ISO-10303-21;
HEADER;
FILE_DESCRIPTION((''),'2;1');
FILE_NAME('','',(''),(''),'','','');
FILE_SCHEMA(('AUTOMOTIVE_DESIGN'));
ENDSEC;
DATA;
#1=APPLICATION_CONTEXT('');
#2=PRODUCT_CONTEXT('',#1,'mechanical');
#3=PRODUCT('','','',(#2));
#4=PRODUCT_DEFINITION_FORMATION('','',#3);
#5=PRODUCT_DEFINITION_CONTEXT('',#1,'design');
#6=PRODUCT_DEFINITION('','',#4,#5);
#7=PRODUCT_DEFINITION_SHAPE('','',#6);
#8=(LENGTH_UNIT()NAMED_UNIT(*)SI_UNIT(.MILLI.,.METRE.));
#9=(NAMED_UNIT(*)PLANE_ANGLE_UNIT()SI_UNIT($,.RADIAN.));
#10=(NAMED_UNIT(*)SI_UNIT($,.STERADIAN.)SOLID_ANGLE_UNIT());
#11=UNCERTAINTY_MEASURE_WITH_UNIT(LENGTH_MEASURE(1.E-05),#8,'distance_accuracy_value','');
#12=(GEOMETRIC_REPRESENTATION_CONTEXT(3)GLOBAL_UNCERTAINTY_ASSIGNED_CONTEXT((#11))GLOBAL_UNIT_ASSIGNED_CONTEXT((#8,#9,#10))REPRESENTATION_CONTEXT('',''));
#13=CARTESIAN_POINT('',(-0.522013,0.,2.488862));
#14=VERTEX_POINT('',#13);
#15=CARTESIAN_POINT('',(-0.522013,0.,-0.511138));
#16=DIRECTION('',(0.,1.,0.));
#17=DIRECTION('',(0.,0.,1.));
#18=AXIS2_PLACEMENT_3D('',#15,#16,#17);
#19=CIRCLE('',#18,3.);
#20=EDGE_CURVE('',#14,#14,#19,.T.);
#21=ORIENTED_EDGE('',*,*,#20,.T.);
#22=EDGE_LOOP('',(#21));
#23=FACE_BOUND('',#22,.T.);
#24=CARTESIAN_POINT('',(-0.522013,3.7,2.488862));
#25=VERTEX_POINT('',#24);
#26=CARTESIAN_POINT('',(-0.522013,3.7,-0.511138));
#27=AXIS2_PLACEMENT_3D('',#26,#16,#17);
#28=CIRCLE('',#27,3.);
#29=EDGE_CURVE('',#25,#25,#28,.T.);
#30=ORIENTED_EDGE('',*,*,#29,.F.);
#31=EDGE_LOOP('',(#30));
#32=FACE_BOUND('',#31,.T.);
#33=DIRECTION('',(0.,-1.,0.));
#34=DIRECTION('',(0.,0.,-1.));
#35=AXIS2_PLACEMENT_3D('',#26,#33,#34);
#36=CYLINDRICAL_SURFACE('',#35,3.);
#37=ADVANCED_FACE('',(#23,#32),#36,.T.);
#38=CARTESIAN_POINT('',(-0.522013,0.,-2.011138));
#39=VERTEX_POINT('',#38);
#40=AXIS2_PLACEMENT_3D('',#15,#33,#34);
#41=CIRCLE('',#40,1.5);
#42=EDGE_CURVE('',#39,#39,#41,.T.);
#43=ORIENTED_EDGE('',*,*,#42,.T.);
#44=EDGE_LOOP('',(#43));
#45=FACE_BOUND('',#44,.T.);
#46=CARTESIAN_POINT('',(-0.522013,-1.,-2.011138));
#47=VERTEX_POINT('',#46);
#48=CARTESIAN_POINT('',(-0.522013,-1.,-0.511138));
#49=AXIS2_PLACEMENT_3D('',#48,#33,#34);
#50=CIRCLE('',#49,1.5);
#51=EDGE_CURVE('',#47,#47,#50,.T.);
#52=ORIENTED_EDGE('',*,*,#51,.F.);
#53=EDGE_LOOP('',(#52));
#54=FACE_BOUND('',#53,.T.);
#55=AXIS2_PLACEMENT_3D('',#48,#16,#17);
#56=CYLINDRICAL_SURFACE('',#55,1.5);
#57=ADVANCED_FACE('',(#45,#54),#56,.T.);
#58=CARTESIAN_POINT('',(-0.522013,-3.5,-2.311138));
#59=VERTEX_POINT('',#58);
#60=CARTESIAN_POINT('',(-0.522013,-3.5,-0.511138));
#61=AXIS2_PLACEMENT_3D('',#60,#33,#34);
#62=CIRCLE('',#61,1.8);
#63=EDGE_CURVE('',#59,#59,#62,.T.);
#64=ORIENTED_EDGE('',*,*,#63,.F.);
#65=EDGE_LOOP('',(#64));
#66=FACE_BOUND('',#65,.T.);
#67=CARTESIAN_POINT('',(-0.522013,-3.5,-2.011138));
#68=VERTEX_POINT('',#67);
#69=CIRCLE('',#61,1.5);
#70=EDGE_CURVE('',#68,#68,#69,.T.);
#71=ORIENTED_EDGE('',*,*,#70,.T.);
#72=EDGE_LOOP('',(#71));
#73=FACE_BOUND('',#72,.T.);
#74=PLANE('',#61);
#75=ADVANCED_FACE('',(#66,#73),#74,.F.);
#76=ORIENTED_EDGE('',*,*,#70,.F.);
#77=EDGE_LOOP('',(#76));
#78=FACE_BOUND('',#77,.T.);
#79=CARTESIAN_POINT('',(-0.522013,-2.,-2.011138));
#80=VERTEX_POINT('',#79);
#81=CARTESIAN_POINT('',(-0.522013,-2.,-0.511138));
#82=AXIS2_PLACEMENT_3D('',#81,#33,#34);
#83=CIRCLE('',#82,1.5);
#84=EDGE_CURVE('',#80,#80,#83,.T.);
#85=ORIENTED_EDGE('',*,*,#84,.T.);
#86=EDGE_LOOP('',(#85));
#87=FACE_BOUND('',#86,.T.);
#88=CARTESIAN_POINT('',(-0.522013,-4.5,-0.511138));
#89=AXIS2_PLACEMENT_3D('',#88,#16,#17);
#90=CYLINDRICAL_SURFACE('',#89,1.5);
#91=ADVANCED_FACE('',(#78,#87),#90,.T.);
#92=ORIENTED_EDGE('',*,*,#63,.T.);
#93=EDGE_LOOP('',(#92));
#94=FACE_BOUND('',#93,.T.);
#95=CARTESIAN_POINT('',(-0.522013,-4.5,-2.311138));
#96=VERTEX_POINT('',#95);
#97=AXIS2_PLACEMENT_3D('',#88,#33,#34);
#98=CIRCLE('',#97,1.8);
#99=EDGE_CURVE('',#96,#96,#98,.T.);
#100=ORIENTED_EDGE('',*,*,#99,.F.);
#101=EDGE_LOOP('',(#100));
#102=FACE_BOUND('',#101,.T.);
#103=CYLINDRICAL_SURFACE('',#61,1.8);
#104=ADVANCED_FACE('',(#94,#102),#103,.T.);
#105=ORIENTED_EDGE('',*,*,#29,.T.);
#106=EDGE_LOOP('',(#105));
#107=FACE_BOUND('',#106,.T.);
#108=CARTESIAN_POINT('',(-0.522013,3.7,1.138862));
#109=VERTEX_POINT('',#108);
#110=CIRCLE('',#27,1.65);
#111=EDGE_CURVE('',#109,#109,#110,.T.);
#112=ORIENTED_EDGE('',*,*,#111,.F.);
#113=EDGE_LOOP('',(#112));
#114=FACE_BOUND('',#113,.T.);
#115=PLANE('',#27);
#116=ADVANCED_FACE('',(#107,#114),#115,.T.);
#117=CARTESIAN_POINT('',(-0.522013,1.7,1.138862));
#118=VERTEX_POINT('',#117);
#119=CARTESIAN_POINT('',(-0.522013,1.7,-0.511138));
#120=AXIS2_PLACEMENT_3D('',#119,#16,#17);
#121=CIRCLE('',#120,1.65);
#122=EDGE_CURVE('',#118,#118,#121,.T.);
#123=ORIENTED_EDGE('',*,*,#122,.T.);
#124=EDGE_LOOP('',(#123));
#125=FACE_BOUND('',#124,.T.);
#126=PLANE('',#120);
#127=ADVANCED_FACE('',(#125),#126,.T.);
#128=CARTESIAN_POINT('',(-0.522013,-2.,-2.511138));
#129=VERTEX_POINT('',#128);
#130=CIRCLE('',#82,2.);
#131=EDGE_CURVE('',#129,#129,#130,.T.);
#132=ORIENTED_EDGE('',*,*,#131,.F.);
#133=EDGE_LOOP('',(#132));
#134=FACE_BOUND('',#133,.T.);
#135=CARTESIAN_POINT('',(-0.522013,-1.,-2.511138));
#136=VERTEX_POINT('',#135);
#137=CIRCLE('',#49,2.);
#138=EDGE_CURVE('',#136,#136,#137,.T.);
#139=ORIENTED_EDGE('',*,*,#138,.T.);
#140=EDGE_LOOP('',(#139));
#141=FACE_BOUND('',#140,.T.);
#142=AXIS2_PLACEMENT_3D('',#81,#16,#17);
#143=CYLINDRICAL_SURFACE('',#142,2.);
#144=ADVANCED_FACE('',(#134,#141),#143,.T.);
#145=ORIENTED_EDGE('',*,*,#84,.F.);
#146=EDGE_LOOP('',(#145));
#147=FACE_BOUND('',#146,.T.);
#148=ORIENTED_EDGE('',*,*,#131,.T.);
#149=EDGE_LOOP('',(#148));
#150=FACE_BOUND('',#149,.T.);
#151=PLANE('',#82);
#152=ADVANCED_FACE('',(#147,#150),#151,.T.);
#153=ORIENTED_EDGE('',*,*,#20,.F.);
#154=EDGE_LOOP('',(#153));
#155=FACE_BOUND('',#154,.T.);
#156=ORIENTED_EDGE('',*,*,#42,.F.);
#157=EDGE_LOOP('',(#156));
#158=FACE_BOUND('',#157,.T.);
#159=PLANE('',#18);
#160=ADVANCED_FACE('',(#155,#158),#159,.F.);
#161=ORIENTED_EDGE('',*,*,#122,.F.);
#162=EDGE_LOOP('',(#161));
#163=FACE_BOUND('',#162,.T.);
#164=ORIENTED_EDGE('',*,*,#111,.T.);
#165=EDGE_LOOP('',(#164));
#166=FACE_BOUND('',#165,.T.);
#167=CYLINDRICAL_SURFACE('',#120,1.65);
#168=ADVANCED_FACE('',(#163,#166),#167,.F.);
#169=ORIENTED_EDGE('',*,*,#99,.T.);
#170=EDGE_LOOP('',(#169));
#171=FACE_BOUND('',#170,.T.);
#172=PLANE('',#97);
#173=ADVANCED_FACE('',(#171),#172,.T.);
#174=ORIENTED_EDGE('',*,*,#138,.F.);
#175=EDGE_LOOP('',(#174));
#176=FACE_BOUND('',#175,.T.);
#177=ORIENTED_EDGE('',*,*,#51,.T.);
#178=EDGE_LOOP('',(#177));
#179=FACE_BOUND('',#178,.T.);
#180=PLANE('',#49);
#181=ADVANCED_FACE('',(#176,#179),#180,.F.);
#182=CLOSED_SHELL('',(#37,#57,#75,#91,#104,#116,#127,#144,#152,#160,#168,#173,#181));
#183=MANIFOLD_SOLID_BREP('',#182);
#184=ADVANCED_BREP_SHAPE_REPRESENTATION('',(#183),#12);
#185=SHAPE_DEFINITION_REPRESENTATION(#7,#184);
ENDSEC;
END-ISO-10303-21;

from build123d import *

# Parameters (mm, degrees)
SKETCH1_R           = 3
BOSS_EXTRUDE1_DEPTH = 3.7
SKETCH1_3_R         = 1.6
BOSS_EXTRUDE2_DEPTH = 1
SKETCH5_R           = 1.5
BOSS_EXTRUDE3_DEPTH = 1
SKETCH6_R           = 2
BOSS_EXTRUDE4_DEPTH = 1
SKETCH8_R           = 1.5
BOSS_EXTRUDE5_DEPTH = 2.5
SKETCH10_R          = 1.8
BOSS_EXTRUDE6_DEPTH = 1
SKETCH12_R          = 1.65
CUT_EXTRUDE1_DEPTH  = 2


with BuildPart() as part:
    # Sketch1 → Boss-Extrude1 (new body)
    with BuildSketch(Plane(origin=(0, 0, 0), x_dir=(1, 0, 0), z_dir=(0, 1, 0))):
        with Locations((-0.522013312, 0.511138034)):
            Circle(SKETCH1_R)
    extrude(amount=BOSS_EXTRUDE1_DEPTH)

    # Sketch1<3> → Boss-Extrude2 (add)
    with BuildSketch(Plane(origin=(0, 0, 0), x_dir=(1, 0, 0), z_dir=(0, 1, 0))):
        with Locations((-0.522013312, 0.511138034)):
            Circle(SKETCH1_3_R)
    extrude(amount=BOSS_EXTRUDE2_DEPTH)

    # Sketch5 → Boss-Extrude3 (add)
    with BuildSketch(Plane.XZ):
        with Locations((-0.522013312, -0.511138034)):
            Circle(SKETCH5_R)
    extrude(amount=BOSS_EXTRUDE3_DEPTH)

    # Sketch6 → Boss-Extrude4 (add)
    with BuildSketch(Plane.XZ.offset(1)):
        with Locations((-0.522013312, -0.511138034)):
            Circle(SKETCH6_R)
    extrude(amount=BOSS_EXTRUDE4_DEPTH)

    # Sketch8 → Boss-Extrude5 (add)
    with BuildSketch(Plane(origin=(0, -2, 0), x_dir=(-1, 0, 0), z_dir=(0, -1, 0))):
        with Locations((0.522013312, 0.511138034)):
            Circle(SKETCH8_R)
    extrude(amount=BOSS_EXTRUDE5_DEPTH)

    # Sketch10 → Boss-Extrude6 (add)
    with BuildSketch(Plane.XZ.offset(4.5)):
        with Locations((-0.522013312, -0.511138034)):
            Circle(SKETCH10_R)
    extrude(amount=-BOSS_EXTRUDE6_DEPTH)

    # Sketch12 → Cut-Extrude1 (cut)
    with BuildSketch(Plane(origin=(0, 3.7, 0), x_dir=(1, 0, 0), z_dir=(0, 1, 0))):
        with Locations((-0.522013312, 0.511138034)):
            Circle(SKETCH12_R)
    extrude(amount=-CUT_EXTRUDE1_DEPTH, mode=Mode.SUBTRACT)


solid = part.part
